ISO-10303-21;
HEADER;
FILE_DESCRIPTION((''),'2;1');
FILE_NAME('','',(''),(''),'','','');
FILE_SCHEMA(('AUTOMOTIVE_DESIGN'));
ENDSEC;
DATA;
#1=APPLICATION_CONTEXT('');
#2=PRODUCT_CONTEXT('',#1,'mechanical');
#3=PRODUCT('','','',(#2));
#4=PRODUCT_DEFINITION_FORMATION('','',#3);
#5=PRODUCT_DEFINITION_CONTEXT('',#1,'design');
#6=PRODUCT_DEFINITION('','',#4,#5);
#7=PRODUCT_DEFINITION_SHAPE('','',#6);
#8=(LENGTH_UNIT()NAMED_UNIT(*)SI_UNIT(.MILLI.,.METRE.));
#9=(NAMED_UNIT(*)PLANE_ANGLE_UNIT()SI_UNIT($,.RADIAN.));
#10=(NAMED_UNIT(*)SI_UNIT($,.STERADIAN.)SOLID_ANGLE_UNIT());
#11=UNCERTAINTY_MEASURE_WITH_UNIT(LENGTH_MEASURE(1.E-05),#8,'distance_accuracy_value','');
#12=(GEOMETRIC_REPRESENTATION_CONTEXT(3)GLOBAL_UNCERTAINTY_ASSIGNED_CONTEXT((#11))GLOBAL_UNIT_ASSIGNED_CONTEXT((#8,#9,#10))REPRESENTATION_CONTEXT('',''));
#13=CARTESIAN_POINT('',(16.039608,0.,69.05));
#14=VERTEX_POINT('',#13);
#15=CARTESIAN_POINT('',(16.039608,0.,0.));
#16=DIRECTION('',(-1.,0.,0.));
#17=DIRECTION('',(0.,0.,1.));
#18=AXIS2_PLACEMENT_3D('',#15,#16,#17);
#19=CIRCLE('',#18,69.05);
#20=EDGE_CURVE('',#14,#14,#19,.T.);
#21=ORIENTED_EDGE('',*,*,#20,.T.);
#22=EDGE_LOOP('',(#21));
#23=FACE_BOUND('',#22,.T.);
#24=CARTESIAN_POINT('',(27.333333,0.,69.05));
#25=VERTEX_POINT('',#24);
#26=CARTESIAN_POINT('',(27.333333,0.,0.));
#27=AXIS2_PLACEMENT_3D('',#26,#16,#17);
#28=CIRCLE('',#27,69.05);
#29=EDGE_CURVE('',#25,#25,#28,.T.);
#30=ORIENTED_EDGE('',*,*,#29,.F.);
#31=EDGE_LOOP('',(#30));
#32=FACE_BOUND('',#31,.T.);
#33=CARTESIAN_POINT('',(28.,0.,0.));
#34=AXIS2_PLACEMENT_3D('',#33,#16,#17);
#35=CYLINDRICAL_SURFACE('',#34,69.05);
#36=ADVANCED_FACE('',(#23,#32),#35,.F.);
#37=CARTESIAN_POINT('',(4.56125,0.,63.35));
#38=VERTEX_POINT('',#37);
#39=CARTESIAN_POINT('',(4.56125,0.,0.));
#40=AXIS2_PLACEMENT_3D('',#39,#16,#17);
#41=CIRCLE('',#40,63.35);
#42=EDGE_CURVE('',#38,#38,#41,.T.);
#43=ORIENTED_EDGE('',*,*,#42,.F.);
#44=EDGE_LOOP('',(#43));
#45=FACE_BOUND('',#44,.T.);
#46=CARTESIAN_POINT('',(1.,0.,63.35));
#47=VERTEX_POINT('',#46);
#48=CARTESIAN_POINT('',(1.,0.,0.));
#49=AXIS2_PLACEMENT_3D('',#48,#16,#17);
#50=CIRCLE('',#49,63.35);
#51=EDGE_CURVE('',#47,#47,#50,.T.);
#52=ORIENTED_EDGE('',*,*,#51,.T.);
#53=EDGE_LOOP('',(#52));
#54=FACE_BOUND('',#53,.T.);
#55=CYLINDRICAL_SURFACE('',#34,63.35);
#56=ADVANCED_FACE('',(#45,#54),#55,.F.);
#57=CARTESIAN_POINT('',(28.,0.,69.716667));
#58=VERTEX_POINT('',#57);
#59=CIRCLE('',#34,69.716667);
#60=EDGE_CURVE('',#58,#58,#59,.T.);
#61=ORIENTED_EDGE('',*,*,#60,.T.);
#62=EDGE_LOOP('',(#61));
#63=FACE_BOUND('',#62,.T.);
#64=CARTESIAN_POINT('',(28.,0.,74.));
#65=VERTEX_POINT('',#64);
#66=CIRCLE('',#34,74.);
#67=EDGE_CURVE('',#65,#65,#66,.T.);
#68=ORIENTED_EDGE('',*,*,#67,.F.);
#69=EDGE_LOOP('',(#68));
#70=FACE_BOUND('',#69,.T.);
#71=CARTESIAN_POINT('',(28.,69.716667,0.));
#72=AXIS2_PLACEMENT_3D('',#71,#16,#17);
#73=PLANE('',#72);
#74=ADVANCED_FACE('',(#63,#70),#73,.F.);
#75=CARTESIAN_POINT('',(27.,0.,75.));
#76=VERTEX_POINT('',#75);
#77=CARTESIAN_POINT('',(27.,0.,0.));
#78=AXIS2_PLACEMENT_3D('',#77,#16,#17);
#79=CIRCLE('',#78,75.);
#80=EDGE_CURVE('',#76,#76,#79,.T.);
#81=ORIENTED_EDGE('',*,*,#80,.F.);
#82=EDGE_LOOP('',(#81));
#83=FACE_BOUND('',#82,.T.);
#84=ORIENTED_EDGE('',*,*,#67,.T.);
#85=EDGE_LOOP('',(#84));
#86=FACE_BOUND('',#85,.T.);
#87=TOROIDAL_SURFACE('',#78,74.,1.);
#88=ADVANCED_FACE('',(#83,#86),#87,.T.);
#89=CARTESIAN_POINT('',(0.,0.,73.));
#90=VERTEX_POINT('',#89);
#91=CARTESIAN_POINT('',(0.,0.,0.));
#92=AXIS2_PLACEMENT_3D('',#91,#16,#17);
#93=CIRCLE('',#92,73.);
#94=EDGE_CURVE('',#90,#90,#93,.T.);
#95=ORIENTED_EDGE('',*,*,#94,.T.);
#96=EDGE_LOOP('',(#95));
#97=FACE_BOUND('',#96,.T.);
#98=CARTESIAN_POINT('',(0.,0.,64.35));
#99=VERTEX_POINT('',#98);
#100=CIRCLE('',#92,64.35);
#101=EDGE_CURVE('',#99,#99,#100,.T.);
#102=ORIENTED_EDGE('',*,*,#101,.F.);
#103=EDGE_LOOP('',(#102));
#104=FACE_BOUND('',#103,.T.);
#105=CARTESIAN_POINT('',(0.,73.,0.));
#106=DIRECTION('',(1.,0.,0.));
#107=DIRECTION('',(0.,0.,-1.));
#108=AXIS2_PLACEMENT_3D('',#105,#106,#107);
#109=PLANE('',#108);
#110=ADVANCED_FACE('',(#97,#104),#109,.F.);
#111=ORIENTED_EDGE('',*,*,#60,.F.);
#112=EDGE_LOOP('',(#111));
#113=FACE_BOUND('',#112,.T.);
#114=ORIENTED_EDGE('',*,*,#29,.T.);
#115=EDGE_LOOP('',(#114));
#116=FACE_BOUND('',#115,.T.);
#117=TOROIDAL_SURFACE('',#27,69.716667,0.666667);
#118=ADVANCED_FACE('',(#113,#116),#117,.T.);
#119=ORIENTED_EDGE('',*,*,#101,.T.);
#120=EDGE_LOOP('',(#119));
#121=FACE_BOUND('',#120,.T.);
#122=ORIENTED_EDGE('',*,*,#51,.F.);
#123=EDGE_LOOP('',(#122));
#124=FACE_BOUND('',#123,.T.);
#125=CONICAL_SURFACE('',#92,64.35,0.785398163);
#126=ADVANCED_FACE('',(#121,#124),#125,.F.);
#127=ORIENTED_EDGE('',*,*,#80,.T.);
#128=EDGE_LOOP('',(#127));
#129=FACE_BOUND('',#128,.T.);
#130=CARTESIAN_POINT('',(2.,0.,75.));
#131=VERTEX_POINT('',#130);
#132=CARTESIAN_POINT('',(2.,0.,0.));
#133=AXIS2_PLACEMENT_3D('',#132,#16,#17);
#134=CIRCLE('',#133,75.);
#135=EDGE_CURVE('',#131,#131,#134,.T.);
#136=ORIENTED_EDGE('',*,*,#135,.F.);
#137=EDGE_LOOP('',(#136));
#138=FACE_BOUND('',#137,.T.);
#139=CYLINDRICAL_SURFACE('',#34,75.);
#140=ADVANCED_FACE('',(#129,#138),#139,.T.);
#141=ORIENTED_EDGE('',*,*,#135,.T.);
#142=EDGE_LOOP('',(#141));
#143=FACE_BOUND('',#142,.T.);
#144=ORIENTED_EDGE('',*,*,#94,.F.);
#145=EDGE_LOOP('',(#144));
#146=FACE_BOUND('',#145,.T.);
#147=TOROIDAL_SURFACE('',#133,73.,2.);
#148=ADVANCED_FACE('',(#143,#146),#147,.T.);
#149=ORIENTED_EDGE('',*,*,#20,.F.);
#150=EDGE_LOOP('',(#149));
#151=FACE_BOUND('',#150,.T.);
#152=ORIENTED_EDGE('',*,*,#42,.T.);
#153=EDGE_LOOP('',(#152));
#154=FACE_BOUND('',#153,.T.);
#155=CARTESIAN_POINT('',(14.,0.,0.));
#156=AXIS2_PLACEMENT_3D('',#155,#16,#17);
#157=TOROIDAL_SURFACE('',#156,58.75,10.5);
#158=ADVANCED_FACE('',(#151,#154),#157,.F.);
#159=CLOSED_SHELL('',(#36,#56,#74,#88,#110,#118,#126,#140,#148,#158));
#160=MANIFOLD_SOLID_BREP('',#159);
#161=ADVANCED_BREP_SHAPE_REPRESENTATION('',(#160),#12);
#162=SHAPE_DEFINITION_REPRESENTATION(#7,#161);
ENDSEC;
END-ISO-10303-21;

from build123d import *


with BuildPart() as part:
    # Schizzo1 → Rivoluzione1 (revolve)
    with BuildSketch(Plane.XY, mode=Mode.PRIVATE) as rivoluzione1_sk:
        with BuildLine():
            Line((0, 64.35), (1, 63.35))
            Line((1, 63.35), (4.561250083, 63.35))
            ThreePointArc((4.561250083, 63.35), (9.32995439, 68.154290191), (16.039607805, 69.05))
            Line((16.039607805, 69.05), (27.333333333, 69.05))
            ThreePointArc((27.333333333, 69.05), (27.804737854, 69.245262146), (28, 69.716666667))
            Line((28, 69.716666667), (28, 74))
            ThreePointArc((28, 74), (27.707106781, 74.707106781), (27, 75))
            Line((27, 75), (2, 75))
            ThreePointArc((2, 75), (0.585786438, 74.414213562), (0, 73))
            Line((0, 73), (0, 64.35))
        make_face()
    revolve(rivoluzione1_sk.sketch.rotate(Axis((28, 0, 0), (-1, 0, 0)), 270), axis=Axis((28, 0, 0), (-1, 0, 0)))


solid = part.part
